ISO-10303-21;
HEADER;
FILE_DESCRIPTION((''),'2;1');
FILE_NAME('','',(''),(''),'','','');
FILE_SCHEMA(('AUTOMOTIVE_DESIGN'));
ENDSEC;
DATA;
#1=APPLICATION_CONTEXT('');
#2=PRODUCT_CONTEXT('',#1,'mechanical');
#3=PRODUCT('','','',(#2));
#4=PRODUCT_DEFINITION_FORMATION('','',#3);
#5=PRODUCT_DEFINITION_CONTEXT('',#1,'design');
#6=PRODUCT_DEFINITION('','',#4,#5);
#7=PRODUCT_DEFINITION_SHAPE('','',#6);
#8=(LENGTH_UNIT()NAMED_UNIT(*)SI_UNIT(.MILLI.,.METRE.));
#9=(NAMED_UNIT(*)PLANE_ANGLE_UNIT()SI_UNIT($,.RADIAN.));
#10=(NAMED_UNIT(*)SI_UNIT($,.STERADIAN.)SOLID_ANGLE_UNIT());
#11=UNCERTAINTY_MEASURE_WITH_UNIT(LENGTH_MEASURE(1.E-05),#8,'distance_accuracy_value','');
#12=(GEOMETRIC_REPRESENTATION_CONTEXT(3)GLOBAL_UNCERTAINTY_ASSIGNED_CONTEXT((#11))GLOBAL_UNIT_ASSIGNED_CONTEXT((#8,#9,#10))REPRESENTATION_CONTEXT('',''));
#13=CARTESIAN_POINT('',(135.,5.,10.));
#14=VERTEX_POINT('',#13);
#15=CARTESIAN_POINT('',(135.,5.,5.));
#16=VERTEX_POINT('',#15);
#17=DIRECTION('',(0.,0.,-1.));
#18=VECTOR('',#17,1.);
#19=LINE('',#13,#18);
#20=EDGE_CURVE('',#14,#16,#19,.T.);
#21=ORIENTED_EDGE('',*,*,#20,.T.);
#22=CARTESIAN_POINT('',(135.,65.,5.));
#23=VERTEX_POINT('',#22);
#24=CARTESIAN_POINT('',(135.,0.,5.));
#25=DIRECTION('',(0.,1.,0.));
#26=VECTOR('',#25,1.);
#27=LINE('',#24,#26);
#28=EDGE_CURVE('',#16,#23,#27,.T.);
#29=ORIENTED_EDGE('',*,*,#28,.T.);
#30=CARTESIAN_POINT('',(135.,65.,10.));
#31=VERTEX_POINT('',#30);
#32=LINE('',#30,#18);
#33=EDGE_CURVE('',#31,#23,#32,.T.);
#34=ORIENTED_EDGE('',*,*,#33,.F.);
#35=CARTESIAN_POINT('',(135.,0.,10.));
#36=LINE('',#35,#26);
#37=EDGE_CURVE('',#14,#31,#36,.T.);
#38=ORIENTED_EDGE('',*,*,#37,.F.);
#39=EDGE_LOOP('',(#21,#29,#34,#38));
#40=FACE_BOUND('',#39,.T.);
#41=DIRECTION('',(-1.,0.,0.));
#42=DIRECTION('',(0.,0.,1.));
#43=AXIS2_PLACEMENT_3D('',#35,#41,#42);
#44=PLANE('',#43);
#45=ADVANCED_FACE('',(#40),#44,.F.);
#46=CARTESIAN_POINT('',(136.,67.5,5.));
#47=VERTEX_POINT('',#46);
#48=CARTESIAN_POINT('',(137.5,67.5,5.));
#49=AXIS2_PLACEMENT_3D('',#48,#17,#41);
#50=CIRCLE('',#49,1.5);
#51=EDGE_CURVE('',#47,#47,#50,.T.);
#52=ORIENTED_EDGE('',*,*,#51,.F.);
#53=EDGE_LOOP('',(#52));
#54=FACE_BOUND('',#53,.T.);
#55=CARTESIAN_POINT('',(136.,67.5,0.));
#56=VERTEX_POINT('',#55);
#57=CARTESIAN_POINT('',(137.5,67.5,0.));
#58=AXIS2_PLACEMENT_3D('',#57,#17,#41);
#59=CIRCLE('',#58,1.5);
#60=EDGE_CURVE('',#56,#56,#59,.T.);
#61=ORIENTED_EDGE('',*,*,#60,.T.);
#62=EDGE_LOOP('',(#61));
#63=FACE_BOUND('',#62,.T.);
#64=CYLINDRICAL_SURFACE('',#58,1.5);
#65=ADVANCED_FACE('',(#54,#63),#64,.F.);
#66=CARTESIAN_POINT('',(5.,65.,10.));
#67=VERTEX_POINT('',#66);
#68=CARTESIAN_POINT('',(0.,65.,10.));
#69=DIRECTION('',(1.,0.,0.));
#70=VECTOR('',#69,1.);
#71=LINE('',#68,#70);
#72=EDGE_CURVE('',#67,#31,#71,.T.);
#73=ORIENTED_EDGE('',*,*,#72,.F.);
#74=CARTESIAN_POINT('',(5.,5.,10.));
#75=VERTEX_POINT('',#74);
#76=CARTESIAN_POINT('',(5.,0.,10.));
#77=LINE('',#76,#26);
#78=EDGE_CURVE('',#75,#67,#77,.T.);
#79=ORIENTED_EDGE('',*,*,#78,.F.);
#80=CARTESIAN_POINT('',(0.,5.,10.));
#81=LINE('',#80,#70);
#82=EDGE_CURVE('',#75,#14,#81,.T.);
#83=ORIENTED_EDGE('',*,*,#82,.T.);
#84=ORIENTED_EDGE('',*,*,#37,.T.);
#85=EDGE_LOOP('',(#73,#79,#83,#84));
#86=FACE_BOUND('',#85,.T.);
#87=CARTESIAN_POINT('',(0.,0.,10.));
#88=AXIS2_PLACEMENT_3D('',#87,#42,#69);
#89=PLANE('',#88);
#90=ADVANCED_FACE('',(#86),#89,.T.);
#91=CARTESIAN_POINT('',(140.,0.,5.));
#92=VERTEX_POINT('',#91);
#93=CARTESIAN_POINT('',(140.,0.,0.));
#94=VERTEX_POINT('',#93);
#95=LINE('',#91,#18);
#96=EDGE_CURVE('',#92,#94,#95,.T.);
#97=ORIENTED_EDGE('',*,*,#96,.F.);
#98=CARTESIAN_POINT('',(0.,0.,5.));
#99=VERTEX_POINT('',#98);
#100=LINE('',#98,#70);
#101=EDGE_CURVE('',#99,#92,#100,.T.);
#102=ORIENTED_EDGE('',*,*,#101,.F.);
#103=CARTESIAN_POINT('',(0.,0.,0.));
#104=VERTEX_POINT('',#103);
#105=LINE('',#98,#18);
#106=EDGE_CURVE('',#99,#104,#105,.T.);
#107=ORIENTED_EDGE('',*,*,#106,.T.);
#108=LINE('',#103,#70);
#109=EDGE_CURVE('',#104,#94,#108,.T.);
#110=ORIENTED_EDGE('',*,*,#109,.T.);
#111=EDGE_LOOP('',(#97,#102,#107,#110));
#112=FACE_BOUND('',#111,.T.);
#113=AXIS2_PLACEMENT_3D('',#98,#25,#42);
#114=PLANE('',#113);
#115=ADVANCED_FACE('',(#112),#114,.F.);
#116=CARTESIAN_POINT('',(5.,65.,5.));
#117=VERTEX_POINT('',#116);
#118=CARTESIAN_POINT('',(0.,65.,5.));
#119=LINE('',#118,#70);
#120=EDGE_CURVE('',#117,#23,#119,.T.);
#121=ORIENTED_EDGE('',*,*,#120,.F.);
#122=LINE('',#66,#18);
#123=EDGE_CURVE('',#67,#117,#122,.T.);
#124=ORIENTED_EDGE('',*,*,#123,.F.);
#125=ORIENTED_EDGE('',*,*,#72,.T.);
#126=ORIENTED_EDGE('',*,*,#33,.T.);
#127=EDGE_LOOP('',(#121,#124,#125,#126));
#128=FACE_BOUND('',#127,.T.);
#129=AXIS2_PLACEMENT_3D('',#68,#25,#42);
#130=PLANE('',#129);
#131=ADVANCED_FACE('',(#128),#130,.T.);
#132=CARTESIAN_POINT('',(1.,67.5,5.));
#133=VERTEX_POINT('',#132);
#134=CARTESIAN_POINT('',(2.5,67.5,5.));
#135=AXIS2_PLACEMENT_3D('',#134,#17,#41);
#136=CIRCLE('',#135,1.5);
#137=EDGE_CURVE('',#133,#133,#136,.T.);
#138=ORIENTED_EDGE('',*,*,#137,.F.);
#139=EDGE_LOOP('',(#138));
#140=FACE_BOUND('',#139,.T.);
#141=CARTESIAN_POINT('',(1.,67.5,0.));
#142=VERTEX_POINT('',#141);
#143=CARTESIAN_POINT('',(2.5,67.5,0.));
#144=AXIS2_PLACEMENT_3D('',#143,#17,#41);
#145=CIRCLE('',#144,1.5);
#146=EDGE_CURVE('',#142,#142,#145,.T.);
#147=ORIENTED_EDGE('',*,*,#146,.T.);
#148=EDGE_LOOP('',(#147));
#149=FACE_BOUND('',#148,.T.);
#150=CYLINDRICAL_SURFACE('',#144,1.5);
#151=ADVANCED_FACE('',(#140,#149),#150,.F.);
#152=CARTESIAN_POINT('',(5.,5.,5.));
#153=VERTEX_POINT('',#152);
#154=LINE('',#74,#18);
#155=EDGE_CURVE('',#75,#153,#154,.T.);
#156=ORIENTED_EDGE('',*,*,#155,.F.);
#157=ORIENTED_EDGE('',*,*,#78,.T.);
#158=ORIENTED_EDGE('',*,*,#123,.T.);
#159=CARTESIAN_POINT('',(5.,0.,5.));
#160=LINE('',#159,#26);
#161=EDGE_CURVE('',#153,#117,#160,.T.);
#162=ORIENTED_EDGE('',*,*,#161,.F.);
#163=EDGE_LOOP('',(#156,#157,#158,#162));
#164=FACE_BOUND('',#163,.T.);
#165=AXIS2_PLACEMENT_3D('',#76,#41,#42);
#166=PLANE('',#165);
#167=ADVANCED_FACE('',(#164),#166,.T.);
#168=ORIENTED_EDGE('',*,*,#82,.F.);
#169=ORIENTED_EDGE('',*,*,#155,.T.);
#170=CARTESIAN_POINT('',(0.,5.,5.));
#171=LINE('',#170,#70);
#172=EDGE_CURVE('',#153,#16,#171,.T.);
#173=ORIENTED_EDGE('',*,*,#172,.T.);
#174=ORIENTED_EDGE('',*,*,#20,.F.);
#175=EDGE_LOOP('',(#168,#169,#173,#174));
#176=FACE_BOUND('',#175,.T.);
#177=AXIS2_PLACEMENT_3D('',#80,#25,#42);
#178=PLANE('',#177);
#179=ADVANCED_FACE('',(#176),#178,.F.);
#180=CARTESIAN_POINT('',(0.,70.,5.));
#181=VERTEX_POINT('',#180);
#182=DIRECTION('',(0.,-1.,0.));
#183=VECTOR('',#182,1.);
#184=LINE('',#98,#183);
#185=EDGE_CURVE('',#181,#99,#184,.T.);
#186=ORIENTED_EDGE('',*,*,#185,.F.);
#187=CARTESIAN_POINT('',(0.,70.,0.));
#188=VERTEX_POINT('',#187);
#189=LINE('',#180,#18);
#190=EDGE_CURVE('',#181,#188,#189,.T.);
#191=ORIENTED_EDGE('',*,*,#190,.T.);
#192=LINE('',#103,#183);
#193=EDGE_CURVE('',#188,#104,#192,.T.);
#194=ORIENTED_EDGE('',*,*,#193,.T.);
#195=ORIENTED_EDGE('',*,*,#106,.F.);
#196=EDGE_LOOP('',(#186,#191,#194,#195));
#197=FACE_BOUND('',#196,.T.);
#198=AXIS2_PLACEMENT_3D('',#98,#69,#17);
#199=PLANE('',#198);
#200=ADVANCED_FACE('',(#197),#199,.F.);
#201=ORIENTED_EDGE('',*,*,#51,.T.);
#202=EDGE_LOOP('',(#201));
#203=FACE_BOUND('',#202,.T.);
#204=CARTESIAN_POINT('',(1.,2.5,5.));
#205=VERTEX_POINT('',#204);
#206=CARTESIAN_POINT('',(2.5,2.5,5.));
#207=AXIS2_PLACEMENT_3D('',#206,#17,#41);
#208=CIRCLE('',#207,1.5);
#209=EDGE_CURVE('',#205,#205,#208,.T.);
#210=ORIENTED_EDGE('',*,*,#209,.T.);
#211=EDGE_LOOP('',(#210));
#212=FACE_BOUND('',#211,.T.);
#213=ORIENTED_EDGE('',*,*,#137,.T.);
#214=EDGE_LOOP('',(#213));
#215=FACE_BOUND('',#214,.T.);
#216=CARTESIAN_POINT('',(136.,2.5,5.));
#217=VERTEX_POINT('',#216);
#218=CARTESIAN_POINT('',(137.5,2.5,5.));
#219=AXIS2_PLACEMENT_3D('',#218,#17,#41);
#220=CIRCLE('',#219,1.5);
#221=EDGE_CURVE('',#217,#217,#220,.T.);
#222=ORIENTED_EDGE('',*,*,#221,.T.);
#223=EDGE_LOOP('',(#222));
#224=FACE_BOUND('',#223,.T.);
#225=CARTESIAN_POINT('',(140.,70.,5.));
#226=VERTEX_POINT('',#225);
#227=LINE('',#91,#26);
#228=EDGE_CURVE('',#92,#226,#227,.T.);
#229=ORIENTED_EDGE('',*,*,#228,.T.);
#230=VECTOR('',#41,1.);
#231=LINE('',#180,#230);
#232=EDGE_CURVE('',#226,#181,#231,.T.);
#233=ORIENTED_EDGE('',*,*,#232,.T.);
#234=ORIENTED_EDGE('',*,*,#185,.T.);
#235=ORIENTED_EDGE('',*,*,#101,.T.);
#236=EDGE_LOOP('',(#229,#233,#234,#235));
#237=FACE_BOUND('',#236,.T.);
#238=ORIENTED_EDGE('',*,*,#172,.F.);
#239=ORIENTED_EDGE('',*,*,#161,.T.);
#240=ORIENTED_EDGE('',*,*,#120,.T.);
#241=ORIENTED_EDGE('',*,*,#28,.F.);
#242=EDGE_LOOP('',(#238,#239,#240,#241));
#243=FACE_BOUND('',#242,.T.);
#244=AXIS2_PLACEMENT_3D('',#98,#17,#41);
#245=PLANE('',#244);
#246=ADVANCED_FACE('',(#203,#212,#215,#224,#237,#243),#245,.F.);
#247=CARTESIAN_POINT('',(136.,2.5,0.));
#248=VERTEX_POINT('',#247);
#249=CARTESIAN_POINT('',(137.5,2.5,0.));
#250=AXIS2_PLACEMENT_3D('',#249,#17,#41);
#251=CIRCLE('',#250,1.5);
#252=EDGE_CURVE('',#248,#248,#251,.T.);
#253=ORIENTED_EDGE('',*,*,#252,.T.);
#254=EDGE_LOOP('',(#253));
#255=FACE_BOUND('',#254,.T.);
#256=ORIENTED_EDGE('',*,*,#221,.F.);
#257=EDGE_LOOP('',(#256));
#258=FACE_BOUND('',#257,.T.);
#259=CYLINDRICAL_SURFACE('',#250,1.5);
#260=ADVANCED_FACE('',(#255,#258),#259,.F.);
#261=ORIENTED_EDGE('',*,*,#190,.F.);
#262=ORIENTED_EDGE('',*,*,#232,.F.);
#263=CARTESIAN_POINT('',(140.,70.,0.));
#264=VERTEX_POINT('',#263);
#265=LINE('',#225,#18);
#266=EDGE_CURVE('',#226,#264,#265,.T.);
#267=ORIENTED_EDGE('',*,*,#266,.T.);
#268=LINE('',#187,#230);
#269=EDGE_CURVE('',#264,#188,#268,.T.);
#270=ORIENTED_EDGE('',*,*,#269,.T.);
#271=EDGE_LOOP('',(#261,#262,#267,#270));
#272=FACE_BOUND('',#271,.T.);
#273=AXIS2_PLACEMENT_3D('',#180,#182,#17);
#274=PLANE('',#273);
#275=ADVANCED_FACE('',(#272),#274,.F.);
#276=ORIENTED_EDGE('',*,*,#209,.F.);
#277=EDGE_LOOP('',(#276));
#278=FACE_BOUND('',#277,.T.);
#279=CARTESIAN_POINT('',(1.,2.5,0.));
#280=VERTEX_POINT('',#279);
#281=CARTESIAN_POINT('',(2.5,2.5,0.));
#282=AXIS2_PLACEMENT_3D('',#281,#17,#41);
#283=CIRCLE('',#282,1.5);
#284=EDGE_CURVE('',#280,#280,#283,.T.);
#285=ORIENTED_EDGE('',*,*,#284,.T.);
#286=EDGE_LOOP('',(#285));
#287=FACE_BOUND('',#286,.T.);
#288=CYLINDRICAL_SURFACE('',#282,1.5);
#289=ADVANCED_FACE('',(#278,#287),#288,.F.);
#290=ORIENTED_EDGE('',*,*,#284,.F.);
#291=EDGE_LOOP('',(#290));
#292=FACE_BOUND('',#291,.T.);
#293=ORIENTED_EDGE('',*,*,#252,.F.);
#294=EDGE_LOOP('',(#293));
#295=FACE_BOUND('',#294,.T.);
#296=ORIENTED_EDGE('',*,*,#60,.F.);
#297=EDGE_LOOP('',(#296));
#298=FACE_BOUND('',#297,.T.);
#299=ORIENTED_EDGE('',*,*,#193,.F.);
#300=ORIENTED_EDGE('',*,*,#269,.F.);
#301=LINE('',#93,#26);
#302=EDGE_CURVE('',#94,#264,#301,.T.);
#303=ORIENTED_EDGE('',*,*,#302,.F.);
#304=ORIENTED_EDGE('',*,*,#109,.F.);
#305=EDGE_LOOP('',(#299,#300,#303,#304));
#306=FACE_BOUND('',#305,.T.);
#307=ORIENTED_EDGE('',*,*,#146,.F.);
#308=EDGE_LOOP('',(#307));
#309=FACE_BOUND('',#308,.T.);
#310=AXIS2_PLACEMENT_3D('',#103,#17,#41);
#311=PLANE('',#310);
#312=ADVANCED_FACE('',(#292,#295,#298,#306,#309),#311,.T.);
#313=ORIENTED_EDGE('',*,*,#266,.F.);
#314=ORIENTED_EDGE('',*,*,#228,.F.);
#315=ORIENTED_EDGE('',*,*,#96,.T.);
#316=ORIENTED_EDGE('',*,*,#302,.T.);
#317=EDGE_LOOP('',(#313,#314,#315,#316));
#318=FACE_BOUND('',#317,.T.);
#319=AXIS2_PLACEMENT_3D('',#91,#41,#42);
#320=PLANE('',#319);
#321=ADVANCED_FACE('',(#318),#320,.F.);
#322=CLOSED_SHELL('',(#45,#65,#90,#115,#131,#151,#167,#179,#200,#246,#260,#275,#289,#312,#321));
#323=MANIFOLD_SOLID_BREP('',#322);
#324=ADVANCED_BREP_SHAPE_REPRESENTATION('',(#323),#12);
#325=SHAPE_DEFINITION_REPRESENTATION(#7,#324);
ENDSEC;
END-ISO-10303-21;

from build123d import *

# Parameters (mm, degrees)
SKETCH1_W            = 140
SKETCH1_H            = 70
BOSS_EXTRUDE1_DEPTH  = 5
SKETCH2_W            = 130
SKETCH2_H            = 60
BOSS_EXTRUDE2_DEPTH  = 5
M3_CLEARANCE_HOLE1_D = 3


with BuildPart() as part:
    # Sketch1 → Boss-Extrude1 (new body)
    with BuildSketch(Plane.XY):
        with Locations((70, 35)):
            Rectangle(SKETCH1_W, SKETCH1_H)
    extrude(amount=BOSS_EXTRUDE1_DEPTH)

    # Sketch2 → Boss-Extrude2 (add)
    with BuildSketch(Plane.XY.offset(5)):
        with Locations((70, 35)):
            Rectangle(SKETCH2_W, SKETCH2_H)
    extrude(amount=BOSS_EXTRUDE2_DEPTH)

    # M3 Clearance Hole1 (through all)
    with Locations(Plane(origin=(137.5, 2.5, 0), x_dir=(-1, 0, 0), z_dir=(0, 0, -1))):
        with Locations((0, 0), (0, 65), (135, 0), (135, 65)):
            Hole(M3_CLEARANCE_HOLE1_D / 2)


solid = part.part
